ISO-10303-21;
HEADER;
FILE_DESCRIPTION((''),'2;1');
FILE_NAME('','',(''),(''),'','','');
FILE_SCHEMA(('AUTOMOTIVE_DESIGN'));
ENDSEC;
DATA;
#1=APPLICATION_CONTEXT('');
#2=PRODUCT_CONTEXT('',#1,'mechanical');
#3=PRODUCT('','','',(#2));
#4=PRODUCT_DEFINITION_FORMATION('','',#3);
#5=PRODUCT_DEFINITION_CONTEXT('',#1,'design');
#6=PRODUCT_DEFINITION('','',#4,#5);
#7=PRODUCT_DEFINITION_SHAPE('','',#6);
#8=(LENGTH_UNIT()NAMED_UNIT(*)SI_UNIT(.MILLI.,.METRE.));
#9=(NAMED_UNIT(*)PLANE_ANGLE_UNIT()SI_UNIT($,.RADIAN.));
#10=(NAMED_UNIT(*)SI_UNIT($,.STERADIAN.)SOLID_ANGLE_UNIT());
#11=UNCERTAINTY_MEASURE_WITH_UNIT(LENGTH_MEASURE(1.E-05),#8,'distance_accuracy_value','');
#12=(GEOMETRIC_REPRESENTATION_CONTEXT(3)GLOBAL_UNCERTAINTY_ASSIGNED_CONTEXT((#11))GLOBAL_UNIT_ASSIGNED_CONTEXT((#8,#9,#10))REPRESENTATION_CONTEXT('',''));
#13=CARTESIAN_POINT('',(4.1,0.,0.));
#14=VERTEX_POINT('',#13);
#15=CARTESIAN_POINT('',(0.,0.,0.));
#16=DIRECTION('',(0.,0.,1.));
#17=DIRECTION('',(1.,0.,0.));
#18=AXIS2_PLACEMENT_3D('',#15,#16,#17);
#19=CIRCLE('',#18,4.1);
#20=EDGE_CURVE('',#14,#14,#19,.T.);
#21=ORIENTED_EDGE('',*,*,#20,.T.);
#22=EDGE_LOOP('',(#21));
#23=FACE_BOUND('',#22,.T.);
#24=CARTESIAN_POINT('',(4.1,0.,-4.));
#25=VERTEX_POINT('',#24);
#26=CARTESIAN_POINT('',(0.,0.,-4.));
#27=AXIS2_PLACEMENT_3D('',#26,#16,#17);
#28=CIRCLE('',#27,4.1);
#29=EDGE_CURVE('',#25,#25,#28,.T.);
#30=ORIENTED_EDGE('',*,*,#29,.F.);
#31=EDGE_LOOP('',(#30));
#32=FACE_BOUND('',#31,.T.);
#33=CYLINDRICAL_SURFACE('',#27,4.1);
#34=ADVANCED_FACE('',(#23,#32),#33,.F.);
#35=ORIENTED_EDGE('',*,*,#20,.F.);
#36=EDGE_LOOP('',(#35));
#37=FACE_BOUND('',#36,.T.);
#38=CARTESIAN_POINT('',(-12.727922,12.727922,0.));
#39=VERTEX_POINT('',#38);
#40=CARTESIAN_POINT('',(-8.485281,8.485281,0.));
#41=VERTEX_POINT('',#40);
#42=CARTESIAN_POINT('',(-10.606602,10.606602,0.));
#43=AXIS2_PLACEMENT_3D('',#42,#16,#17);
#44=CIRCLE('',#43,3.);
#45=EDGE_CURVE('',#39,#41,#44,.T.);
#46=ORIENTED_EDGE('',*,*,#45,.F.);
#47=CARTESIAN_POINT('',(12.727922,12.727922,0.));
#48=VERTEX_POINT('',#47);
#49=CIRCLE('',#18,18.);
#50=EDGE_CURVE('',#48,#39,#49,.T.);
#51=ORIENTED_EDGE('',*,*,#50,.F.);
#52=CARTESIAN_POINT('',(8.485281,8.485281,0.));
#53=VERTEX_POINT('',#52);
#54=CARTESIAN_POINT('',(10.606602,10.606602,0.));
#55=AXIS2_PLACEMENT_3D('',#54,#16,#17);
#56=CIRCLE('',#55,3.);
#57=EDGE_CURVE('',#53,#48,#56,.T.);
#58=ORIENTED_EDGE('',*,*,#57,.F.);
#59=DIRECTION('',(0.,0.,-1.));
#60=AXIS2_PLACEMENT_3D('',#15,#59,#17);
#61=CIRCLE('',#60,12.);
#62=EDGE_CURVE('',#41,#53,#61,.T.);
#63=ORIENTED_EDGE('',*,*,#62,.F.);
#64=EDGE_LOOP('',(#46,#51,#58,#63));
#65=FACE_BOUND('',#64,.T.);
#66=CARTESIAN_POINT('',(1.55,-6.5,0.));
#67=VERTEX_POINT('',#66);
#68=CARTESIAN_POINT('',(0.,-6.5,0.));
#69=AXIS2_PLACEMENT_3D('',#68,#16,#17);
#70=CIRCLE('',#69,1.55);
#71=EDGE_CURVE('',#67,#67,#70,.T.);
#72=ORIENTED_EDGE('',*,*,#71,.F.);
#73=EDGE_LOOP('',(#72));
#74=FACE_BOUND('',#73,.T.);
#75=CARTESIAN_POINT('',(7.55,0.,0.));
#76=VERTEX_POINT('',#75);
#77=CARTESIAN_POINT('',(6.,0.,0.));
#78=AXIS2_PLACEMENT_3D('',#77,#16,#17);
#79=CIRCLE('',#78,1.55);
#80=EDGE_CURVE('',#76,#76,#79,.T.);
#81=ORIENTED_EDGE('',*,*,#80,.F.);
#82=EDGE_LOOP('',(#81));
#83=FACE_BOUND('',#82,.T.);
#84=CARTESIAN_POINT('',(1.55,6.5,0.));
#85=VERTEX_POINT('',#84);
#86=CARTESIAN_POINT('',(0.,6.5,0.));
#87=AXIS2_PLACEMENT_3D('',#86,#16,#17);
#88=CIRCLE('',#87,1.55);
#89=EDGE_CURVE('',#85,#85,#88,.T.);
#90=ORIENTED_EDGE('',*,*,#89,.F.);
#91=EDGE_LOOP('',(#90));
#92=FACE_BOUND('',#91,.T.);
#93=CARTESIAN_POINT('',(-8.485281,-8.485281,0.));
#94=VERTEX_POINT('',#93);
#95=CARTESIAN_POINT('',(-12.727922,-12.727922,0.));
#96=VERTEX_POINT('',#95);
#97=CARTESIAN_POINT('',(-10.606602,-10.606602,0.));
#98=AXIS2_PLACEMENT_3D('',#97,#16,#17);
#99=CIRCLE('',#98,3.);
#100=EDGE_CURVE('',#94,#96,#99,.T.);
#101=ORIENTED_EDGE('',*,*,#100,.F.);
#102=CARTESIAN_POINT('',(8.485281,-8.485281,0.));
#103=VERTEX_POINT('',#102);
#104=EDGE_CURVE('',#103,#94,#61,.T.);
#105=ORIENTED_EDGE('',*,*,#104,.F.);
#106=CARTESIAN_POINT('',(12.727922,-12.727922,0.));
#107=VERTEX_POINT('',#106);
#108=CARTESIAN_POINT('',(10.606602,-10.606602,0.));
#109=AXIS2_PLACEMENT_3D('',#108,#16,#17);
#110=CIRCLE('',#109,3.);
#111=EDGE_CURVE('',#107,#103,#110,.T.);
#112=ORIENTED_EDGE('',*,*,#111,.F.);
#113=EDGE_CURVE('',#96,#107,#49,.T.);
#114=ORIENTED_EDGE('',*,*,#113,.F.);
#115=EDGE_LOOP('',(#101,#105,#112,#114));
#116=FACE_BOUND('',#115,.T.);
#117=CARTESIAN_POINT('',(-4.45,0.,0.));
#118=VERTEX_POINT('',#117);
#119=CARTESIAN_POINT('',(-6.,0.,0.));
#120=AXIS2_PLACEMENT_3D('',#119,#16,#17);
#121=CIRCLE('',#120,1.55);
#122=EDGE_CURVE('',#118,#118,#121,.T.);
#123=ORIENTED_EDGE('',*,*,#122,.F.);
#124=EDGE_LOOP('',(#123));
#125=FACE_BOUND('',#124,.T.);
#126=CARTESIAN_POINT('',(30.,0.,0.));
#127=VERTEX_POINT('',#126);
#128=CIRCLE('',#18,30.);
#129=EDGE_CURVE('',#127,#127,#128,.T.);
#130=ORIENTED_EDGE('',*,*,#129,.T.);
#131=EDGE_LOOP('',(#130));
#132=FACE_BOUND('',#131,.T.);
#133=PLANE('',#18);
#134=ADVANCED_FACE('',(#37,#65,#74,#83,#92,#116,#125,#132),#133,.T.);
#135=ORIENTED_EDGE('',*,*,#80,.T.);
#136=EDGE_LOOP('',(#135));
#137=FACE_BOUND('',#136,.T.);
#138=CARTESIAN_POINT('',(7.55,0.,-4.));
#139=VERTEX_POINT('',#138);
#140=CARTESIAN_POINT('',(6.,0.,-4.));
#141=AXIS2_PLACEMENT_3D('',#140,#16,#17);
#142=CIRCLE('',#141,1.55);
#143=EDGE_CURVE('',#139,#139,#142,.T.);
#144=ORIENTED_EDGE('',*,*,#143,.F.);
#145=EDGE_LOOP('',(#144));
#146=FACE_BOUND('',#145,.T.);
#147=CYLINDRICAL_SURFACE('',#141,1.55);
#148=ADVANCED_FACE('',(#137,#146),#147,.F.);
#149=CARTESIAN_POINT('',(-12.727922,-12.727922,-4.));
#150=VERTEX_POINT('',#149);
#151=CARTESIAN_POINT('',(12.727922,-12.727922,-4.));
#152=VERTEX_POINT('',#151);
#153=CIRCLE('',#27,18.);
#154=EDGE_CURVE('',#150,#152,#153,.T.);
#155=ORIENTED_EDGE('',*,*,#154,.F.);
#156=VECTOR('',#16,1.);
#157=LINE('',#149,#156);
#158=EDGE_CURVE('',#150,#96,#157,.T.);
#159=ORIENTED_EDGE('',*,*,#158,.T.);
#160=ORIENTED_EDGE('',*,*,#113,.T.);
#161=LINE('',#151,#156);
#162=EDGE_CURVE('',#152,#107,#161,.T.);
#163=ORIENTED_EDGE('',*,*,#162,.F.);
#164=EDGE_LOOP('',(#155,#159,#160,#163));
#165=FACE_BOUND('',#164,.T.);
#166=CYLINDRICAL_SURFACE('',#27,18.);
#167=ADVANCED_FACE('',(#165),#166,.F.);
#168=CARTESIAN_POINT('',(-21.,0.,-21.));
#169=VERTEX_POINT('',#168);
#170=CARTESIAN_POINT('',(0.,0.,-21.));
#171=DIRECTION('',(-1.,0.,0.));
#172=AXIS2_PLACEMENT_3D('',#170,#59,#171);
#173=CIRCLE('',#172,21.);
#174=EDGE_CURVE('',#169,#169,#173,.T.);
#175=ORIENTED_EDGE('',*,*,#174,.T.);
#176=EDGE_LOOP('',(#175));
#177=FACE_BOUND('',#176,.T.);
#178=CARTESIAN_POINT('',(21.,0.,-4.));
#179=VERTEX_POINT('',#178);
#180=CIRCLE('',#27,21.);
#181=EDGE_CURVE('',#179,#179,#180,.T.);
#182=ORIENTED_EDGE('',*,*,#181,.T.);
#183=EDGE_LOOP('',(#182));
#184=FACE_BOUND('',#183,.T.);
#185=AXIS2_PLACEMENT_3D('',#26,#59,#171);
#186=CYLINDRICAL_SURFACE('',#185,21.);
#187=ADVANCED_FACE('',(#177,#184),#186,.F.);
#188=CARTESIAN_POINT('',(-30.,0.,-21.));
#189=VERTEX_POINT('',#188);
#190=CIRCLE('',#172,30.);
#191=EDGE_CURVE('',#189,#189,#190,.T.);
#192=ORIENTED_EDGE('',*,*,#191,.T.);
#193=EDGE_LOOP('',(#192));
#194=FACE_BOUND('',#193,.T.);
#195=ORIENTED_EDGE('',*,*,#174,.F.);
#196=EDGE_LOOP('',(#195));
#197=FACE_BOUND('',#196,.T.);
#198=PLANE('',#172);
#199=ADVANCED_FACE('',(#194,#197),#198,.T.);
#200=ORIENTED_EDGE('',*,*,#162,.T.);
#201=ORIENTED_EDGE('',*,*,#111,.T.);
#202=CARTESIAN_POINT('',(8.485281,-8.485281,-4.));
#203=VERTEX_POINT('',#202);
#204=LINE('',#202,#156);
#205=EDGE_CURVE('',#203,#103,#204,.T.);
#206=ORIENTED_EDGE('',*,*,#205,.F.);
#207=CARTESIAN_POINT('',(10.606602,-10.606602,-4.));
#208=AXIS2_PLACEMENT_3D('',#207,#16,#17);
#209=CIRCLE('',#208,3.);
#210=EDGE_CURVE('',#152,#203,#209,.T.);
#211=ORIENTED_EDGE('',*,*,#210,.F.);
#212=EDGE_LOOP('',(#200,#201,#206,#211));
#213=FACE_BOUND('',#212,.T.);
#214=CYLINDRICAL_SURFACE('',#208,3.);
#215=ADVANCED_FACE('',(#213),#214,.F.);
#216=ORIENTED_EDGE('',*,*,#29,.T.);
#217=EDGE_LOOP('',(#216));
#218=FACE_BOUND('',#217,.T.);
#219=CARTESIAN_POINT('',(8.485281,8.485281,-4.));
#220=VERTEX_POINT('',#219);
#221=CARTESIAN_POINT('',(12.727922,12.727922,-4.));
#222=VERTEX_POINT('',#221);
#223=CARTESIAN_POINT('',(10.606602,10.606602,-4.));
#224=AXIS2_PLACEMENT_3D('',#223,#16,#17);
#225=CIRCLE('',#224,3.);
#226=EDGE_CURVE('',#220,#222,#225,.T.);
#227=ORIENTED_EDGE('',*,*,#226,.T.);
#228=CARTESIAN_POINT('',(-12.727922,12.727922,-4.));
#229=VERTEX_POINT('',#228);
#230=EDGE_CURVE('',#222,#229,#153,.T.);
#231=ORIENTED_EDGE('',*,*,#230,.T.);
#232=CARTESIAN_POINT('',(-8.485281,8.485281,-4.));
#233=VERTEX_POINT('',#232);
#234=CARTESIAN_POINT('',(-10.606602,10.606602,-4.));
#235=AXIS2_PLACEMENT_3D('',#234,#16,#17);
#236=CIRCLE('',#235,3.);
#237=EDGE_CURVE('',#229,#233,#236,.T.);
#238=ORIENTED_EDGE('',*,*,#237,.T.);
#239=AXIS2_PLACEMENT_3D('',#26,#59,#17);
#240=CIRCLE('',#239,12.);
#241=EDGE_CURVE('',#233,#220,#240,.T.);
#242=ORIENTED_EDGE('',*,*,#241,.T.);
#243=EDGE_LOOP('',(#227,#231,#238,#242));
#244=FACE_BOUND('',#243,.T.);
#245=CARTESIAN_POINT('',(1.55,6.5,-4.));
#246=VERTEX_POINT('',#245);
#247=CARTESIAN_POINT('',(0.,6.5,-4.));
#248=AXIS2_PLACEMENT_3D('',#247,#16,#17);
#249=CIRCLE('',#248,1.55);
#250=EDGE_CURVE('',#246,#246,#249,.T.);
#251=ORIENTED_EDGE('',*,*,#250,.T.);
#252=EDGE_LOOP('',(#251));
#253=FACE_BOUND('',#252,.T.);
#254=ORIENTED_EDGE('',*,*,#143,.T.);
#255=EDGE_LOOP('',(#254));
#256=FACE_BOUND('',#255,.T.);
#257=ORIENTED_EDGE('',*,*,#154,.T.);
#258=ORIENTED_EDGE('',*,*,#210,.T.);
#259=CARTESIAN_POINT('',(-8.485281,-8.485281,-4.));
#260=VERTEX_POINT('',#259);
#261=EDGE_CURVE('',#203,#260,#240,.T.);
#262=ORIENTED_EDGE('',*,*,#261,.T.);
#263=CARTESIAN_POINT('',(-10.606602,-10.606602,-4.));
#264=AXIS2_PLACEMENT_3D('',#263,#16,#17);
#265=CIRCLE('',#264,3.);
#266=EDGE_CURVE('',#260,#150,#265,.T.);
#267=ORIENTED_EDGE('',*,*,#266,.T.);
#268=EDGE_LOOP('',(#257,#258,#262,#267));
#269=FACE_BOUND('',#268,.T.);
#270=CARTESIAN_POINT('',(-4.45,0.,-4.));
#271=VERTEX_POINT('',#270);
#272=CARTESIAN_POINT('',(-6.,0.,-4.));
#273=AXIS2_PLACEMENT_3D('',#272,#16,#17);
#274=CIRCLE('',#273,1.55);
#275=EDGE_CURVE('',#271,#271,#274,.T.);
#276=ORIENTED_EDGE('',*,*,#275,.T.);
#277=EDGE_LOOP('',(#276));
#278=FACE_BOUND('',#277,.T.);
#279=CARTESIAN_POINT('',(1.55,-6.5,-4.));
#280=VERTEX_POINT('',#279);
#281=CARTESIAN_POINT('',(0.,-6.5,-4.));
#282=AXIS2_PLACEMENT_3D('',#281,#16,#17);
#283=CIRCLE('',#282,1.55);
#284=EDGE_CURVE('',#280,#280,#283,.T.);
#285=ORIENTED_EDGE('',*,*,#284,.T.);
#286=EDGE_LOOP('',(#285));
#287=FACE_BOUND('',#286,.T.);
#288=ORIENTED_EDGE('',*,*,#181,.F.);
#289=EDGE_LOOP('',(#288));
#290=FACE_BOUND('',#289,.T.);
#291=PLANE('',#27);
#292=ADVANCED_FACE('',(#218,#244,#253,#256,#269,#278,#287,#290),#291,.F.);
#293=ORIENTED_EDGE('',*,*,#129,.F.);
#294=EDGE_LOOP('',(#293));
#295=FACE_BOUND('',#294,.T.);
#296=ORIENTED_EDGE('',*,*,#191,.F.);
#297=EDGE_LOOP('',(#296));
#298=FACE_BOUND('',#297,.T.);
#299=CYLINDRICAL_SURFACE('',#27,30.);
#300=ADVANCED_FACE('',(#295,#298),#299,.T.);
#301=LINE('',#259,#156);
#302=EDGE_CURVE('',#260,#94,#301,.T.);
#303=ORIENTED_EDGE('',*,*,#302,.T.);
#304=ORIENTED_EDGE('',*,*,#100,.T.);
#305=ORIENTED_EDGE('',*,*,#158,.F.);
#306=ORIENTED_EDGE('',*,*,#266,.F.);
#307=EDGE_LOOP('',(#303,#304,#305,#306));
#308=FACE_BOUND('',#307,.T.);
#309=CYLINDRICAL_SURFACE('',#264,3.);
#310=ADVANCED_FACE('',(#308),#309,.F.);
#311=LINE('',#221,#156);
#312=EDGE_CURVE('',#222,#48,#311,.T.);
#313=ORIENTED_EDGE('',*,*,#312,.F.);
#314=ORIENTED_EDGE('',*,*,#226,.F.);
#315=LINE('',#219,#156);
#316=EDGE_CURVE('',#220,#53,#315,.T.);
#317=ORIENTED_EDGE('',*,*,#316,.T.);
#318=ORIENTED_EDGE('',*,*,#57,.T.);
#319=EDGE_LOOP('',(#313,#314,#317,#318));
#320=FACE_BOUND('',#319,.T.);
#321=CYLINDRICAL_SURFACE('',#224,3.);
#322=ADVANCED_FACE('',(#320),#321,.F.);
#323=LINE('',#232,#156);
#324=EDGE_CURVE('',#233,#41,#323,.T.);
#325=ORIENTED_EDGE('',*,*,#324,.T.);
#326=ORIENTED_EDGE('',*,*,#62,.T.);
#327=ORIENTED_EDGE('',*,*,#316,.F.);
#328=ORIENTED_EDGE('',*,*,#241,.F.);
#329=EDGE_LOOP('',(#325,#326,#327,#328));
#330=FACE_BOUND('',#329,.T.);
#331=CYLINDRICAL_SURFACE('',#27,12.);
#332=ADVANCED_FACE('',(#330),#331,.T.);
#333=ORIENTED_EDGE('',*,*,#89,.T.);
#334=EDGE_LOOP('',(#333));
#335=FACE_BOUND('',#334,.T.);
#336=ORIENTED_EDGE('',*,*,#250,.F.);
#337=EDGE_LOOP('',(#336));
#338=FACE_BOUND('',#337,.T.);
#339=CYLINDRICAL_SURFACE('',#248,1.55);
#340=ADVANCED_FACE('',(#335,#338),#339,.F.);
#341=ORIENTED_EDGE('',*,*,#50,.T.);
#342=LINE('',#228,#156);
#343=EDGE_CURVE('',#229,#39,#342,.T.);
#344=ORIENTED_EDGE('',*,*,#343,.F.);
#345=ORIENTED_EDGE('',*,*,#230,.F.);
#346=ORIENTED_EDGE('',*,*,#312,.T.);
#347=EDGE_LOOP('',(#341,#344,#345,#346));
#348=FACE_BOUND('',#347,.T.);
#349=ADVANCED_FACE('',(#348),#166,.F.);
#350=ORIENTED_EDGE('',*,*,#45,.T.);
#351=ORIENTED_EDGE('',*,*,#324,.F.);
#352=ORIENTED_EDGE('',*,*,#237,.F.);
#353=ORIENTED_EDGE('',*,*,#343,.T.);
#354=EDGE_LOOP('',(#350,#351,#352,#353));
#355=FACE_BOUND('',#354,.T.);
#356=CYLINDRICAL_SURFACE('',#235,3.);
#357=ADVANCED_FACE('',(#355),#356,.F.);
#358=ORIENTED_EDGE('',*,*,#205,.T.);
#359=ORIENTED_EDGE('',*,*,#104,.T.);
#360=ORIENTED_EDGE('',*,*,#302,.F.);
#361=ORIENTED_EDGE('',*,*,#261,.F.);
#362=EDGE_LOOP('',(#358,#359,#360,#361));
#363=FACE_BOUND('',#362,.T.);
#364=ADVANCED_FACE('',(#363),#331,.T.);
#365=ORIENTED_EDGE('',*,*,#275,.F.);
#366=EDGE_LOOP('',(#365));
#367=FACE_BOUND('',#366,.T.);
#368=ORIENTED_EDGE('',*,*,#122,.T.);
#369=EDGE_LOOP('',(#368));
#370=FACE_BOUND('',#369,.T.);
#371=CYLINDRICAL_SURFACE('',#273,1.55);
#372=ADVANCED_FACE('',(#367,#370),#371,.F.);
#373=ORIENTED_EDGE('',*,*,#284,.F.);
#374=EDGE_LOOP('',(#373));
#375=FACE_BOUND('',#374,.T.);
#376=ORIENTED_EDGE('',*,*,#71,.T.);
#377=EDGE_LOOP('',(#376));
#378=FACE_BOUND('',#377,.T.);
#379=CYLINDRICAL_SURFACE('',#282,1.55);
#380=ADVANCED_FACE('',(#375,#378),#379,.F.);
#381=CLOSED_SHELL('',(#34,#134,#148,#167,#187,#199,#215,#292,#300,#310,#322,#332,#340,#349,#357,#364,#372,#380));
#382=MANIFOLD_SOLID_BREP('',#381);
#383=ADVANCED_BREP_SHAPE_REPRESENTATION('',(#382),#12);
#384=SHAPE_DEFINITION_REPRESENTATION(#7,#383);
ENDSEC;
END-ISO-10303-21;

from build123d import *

# Parameters (mm, degrees)
SKETCH1_R           = 30
BOSS_EXTRUDE1_DEPTH = 4
BOSS_EXTRUDE2_START = -17
BOSS_EXTRUDE2_DEPTH = 17


with BuildPart() as part:
    # Sketch1 → Boss-Extrude1 (new body)
    with BuildSketch(Plane.XY):
        Circle(SKETCH1_R)
        with BuildLine():
            ThreePointArc((-12.727922061, -12.727922061), (0, -18), (12.727922061, -12.727922061))
            ThreePointArc((12.727922061, -12.727922061), (13.378240315, -9.458551421), (10.606601718, -7.606601718))
            ThreePointArc((10.606601718, -7.606601718), (9.458551421, -7.83496312), (8.485281374, -8.485281374))
            ThreePointArc((8.485281374, -8.485281374), (0, -12), (-8.485281374, -8.485281374))
            ThreePointArc((-8.485281374, -8.485281374), (-9.458551421, -7.83496312), (-10.606601718, -7.606601718))
            ThreePointArc((-10.606601718, -7.606601718), (-13.378240315, -9.458551421), (-12.727922061, -12.727922061))
        make_face(mode=Mode.SUBTRACT)
        with BuildLine():
            ThreePointArc((8.485281374, 8.485281374), (12.727922061, 8.485281374), (12.727922061, 12.727922061))
            ThreePointArc((12.727922061, 12.727922061), (6.888301783, 16.629831585), (0, 18))
            ThreePointArc((0, 18), (-6.888301783, 16.629831585), (-12.727922061, 12.727922061))
            ThreePointArc((-12.727922061, 12.727922061), (-12.727922061, 8.485281374), (-8.485281374, 8.485281374))
            ThreePointArc((-8.485281374, 8.485281374), (-4.592201188, 11.08655439), (0, 12))
            ThreePointArc((0, 12), (4.592201188, 11.08655439), (8.485281374, 8.485281374))
        make_face(mode=Mode.SUBTRACT)
        with BuildLine():
            ThreePointArc((0, -4.95), (-1.55, -6.5), (0, -8.05))
            ThreePointArc((0, -8.05), (1.55, -6.5), (0, -4.95))
        make_face(mode=Mode.SUBTRACT)
        with BuildLine():
            ThreePointArc((6, 1.55), (4.45, 0), (6, -1.55))
            ThreePointArc((6, -1.55), (7.55, 0), (6, 1.55))
        make_face(mode=Mode.SUBTRACT)
        with BuildLine():
            ThreePointArc((-6, 1.55), (-7.55, 0), (-6, -1.55))
            ThreePointArc((-6, -1.55), (-4.45, 0), (-6, 1.55))
        make_face(mode=Mode.SUBTRACT)
        with BuildLine():
            ThreePointArc((0, 4.95), (1.55, 6.5), (0, 8.05))
            ThreePointArc((0, 8.05), (-1.55, 6.5), (0, 4.95))
        make_face(mode=Mode.SUBTRACT)
        with BuildLine():
            ThreePointArc((0, 4.1), (-4.1, 0), (0, -4.1))
            ThreePointArc((0, -4.1), (4.1, 0), (0, 4.1))
        make_face(mode=Mode.SUBTRACT)
    extrude(amount=-BOSS_EXTRUDE1_DEPTH)

    # Sketch2 → Boss-Extrude2 (add)
    with BuildSketch(Plane(origin=(0, 0, -21), x_dir=(-1, 0, 0), z_dir=(0, 0, -1)).offset(BOSS_EXTRUDE2_START)):
        with BuildLine():
            ThreePointArc((0, -30), (30, 0), (0, 30))
            ThreePointArc((0, 30), (-30, 0), (0, -30))
        make_face()
        with BuildLine():
            ThreePointArc((0, 21), (-21, 0), (0, -21))
            ThreePointArc((0, -21), (21, 0), (0, 21))
        make_face(mode=Mode.SUBTRACT)
    extrude(amount=BOSS_EXTRUDE2_DEPTH)


solid = part.part
